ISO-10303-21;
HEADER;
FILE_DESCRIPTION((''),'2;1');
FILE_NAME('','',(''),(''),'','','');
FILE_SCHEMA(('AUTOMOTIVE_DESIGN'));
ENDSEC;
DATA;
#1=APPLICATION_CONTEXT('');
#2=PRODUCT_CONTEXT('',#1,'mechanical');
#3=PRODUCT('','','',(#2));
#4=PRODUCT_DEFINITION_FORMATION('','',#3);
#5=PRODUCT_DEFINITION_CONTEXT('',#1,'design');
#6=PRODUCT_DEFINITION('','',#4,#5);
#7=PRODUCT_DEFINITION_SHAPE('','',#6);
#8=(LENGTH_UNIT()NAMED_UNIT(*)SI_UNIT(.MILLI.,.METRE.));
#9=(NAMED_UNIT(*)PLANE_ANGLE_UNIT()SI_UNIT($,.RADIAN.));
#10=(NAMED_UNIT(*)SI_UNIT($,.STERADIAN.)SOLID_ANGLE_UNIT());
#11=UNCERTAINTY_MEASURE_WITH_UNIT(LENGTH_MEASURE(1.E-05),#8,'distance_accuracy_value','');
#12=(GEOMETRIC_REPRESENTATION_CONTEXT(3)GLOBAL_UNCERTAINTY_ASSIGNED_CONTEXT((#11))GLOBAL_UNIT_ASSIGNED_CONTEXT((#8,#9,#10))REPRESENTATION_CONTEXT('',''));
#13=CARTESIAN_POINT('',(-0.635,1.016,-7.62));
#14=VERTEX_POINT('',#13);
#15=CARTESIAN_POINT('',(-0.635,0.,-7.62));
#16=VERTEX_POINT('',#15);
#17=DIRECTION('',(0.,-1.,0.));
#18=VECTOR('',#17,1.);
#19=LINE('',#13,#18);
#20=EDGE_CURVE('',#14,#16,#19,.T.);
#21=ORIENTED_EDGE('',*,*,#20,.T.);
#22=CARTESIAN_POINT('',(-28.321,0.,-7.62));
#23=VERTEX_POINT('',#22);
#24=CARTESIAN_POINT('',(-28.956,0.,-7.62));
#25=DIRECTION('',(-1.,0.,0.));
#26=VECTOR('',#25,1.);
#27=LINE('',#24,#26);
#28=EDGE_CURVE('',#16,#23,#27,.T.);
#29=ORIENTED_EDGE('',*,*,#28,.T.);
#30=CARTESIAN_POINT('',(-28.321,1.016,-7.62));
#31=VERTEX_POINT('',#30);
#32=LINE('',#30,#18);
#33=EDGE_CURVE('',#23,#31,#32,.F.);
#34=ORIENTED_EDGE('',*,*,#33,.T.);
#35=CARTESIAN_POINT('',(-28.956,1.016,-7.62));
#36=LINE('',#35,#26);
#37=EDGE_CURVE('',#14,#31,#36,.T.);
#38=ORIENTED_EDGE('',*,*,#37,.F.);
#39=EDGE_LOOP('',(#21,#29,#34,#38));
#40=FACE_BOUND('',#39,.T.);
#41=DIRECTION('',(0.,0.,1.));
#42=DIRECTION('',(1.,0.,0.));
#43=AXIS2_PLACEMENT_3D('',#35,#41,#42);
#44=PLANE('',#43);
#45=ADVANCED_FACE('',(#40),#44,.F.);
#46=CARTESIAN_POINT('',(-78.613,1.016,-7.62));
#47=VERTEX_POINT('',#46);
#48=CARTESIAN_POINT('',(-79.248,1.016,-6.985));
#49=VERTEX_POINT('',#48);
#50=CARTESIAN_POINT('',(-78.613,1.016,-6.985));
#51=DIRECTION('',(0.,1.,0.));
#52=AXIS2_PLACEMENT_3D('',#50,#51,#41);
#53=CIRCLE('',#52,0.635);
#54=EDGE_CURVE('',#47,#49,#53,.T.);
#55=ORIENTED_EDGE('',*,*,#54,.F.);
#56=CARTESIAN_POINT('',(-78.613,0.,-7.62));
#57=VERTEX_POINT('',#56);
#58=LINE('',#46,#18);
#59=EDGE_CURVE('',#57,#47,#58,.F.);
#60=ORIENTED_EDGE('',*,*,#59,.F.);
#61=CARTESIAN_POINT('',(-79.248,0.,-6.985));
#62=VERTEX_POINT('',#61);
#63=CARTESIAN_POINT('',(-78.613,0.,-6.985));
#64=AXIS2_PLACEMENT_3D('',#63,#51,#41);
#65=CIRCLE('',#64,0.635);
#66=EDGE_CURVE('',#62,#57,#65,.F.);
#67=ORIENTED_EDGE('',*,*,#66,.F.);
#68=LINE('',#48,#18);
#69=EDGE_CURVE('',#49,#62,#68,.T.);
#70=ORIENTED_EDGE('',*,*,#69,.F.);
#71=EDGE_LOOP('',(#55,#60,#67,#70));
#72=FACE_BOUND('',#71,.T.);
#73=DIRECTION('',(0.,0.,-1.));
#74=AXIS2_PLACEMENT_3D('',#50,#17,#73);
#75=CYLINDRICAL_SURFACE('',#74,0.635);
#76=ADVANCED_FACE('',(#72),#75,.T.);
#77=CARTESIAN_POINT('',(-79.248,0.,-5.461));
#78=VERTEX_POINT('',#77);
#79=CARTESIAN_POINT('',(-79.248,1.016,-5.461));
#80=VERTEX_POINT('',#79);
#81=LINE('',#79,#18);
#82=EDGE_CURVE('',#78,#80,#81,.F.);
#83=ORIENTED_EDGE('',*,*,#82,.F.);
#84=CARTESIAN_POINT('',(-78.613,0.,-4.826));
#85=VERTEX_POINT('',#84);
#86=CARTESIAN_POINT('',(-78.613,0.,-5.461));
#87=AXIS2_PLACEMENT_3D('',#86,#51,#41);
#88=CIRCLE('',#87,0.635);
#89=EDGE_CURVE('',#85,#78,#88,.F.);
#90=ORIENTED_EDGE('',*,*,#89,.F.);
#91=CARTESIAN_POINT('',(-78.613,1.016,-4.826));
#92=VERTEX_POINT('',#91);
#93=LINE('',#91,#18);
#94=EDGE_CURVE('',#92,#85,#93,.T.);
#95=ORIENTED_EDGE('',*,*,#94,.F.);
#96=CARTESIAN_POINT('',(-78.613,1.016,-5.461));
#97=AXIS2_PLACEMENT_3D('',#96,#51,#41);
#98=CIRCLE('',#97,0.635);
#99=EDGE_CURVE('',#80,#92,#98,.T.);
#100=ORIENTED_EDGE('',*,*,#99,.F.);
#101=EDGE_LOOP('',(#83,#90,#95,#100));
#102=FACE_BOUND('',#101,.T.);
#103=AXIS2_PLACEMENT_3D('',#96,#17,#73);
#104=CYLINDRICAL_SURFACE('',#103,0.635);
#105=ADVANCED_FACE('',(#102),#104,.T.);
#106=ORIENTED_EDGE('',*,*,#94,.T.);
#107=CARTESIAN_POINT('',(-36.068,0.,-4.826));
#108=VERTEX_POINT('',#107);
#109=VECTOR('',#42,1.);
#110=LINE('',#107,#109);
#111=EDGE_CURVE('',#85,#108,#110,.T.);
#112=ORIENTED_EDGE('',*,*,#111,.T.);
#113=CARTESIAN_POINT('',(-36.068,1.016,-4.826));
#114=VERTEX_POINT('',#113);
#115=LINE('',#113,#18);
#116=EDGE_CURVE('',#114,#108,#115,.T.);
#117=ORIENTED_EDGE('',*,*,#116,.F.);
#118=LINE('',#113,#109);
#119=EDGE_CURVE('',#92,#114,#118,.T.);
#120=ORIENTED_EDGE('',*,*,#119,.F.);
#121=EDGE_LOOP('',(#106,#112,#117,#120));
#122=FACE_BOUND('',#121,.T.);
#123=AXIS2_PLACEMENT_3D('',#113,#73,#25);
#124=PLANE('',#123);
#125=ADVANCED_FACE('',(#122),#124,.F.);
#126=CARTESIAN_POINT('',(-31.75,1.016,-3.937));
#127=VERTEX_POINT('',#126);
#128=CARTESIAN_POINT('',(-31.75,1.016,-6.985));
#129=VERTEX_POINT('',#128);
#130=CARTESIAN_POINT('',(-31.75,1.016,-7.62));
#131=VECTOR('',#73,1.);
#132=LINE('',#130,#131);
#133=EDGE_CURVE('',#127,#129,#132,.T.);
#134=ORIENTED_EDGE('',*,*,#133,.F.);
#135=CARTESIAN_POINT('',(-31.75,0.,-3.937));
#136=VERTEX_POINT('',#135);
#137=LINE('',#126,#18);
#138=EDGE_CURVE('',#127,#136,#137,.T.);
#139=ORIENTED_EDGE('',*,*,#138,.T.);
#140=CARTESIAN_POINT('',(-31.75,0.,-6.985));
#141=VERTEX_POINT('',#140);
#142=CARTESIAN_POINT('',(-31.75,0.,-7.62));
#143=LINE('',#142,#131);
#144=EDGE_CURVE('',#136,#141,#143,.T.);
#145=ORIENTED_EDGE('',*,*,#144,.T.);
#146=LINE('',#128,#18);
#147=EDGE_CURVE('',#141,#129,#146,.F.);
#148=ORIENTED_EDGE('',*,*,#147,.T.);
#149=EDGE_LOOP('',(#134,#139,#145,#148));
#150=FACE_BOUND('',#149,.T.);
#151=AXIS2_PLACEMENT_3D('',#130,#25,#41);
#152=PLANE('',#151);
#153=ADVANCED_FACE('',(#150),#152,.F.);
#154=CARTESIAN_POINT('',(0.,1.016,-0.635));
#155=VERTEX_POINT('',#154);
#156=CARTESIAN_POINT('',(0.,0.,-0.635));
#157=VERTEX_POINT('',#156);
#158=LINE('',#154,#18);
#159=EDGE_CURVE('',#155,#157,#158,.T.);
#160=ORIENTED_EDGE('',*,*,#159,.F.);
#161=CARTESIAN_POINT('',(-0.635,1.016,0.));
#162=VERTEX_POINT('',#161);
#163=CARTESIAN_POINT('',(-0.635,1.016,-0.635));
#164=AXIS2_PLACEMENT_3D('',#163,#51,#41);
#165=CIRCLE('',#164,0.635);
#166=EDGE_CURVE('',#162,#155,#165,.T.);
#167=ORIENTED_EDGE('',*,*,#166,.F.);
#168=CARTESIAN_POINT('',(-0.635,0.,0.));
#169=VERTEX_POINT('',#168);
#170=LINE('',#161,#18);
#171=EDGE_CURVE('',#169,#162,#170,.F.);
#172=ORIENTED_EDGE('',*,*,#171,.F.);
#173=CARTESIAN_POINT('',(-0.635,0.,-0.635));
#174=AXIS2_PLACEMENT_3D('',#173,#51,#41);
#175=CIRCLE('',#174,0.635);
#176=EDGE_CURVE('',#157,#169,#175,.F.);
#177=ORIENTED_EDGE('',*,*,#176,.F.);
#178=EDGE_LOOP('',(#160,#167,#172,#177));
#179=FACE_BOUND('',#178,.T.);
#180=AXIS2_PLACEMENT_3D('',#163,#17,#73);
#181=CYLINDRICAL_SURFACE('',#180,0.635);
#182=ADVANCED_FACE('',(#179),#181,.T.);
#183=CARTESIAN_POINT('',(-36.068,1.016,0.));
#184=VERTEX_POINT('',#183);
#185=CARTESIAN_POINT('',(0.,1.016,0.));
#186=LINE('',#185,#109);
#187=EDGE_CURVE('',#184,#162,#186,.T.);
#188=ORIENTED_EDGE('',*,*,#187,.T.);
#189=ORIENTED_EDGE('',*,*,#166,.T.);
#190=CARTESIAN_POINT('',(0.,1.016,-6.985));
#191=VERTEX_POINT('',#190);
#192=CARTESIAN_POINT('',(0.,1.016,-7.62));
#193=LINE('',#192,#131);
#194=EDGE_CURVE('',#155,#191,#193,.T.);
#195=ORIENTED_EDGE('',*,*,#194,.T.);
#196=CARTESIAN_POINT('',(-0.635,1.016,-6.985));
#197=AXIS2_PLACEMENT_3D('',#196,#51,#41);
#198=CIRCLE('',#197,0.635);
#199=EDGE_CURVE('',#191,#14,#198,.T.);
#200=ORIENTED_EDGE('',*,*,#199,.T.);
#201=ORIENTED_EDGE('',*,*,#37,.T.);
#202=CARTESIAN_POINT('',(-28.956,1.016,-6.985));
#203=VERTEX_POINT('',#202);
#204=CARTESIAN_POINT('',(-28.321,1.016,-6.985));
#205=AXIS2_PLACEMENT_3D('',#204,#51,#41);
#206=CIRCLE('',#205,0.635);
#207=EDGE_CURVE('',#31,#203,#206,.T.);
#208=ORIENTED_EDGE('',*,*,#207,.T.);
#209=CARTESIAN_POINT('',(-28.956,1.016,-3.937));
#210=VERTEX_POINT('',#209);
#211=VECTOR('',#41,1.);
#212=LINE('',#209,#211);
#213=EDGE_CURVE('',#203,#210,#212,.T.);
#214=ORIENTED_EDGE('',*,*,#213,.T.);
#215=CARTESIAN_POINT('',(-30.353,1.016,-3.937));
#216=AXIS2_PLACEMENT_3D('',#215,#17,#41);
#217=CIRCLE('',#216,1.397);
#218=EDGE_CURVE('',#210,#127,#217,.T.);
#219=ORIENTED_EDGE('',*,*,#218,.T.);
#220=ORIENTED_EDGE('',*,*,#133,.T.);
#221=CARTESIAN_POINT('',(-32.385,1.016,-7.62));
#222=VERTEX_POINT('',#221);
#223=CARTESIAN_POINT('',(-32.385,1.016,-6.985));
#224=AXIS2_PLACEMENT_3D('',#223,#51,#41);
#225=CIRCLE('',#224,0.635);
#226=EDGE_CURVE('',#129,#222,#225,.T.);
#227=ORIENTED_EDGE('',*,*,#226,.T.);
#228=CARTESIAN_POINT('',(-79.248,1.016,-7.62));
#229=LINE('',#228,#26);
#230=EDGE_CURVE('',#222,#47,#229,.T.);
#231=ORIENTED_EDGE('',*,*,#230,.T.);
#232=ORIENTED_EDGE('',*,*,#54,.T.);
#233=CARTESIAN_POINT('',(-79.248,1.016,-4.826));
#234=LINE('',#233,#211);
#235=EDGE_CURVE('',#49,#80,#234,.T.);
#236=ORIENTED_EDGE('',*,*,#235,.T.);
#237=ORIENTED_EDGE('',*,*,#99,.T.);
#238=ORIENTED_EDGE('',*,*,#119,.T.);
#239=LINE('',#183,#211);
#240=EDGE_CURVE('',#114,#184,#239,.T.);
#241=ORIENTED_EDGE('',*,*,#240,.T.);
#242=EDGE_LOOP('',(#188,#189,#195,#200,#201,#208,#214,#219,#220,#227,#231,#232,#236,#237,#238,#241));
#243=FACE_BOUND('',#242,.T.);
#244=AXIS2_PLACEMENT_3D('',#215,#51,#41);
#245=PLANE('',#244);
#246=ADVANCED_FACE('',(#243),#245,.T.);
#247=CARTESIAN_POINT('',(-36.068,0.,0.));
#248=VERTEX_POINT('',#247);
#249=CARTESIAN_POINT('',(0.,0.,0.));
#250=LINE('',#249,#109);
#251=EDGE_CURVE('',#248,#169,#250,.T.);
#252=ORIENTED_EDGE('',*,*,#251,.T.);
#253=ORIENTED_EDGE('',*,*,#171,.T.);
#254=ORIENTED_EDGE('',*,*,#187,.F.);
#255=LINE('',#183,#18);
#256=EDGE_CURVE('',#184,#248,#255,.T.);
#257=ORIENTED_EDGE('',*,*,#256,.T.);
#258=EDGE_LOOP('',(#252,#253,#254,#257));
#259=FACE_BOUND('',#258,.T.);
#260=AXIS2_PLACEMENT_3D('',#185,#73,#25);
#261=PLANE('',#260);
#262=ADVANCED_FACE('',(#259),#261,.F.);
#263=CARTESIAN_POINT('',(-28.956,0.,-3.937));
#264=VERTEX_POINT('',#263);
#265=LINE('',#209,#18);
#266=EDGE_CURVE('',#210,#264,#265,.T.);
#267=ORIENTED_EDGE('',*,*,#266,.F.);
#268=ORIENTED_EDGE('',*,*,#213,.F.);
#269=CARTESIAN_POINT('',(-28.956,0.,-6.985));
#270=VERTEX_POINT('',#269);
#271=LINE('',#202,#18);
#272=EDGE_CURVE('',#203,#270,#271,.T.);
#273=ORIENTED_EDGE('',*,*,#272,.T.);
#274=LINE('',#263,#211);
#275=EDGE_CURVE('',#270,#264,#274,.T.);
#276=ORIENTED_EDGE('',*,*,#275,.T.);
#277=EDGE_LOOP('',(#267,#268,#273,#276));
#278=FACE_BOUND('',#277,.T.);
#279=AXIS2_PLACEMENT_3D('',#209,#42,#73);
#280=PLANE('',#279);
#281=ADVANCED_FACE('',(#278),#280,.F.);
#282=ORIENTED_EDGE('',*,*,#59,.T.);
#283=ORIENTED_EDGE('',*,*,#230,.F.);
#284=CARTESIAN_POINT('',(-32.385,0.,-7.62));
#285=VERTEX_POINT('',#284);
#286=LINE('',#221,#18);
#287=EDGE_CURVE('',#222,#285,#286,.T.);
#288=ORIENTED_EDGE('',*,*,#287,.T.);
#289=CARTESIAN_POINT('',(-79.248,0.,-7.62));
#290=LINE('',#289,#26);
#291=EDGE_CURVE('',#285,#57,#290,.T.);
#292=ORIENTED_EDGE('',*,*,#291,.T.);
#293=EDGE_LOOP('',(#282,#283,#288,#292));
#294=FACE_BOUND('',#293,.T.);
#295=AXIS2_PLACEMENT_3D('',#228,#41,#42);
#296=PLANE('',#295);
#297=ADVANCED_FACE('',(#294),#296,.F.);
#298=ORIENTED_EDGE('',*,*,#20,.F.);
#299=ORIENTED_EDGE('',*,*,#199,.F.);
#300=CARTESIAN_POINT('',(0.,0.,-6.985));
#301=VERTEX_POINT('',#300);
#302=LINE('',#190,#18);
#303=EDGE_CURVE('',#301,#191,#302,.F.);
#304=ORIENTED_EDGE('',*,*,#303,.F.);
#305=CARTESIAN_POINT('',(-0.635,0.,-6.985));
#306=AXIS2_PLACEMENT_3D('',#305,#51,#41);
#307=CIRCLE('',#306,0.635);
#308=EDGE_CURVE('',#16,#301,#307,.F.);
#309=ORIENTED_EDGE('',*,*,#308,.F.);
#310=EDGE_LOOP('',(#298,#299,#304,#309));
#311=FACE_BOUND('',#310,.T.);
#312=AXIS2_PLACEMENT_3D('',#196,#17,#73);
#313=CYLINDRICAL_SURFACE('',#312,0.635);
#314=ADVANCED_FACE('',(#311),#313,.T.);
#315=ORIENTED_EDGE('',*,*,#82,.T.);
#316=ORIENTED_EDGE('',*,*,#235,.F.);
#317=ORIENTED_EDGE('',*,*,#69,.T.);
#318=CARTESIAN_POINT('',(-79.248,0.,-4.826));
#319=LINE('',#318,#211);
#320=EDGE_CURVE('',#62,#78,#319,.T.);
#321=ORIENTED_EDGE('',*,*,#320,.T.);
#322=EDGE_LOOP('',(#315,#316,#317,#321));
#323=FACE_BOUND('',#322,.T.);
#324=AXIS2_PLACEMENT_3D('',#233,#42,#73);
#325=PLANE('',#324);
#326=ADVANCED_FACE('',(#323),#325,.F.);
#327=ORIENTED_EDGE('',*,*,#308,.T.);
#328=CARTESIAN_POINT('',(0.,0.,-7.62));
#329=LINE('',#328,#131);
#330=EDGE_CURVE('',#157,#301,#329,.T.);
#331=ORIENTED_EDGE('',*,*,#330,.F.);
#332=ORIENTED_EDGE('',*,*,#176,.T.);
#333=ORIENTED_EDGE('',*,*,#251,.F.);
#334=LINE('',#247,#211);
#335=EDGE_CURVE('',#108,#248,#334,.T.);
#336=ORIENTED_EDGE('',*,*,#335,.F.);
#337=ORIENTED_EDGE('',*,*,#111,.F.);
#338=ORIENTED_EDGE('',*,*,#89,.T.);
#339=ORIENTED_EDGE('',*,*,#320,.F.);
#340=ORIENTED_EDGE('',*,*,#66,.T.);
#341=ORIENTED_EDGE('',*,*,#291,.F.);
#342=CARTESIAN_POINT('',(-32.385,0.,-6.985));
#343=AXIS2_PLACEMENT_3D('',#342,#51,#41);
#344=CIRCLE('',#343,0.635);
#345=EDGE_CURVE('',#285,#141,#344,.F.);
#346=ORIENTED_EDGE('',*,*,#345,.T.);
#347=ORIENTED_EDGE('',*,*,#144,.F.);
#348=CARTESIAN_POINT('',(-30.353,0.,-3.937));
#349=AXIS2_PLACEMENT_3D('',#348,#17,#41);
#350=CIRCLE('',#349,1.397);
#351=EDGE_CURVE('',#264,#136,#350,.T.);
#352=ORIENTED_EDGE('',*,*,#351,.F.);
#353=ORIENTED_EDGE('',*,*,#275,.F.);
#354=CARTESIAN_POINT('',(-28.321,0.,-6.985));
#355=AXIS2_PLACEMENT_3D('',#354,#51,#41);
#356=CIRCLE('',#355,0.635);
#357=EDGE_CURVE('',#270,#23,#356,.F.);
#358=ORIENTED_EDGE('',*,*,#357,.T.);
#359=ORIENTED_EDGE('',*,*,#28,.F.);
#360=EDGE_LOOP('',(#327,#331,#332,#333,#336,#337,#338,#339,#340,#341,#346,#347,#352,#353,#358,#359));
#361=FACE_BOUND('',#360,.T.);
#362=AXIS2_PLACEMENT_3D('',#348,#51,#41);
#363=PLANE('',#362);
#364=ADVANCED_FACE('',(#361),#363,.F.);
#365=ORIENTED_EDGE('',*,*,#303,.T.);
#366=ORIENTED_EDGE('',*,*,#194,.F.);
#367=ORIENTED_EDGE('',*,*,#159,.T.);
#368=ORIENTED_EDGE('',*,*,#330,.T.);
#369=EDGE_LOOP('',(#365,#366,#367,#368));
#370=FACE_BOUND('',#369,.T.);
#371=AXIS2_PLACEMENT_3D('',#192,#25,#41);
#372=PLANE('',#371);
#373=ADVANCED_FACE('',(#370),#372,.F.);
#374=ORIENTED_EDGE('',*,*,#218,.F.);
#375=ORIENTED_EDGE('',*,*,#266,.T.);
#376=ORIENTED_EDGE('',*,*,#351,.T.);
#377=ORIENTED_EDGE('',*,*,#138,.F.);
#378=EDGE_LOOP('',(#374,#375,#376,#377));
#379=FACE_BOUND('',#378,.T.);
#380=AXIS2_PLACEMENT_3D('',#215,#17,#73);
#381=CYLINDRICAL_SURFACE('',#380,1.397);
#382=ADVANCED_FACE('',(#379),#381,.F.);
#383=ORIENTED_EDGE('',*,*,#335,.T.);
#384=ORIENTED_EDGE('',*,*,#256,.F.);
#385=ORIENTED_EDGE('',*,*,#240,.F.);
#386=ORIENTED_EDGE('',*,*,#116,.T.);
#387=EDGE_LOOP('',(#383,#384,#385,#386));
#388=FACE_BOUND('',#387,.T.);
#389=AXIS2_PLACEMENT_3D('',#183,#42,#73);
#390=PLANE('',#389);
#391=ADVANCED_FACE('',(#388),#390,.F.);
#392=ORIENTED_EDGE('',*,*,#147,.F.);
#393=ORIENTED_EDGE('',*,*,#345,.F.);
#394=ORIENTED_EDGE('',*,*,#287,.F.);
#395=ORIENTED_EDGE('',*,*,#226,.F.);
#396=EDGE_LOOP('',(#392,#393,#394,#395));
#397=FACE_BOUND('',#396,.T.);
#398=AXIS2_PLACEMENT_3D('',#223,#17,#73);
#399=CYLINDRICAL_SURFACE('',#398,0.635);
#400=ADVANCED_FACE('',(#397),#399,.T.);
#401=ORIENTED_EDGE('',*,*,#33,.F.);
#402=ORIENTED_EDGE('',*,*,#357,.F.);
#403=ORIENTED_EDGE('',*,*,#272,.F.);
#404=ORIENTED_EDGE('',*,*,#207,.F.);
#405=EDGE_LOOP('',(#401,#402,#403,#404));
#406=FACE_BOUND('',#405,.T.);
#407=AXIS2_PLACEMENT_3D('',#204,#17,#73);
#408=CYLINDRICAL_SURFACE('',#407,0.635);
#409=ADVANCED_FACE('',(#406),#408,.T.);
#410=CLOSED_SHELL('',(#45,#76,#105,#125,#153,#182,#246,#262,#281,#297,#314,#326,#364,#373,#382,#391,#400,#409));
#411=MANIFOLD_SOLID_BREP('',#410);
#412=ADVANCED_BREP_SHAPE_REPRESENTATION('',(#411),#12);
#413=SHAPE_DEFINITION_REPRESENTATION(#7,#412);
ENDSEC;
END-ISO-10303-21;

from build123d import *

# Parameters (mm, degrees)
BOSS_EXTRUDE1_DEPTH = 1.016
FILLET1_R           = 0.635


with BuildPart() as part:
    # Sketch1 → Boss-Extrude1 (new body)
    with BuildSketch(Plane(origin=(0, 0, 0), x_dir=(1, 0, 0), z_dir=(0, 1, 0))):
        with BuildLine():
            Line((0, 0), (-36.068, 0))
            Line((-36.068, 0), (-36.068, 4.826))
            Line((-36.068, 4.826), (-79.248, 4.826))
            Line((-79.248, 4.826), (-79.248, 7.62))
            Line((-79.248, 7.62), (-31.75, 7.62))
            Line((-31.75, 7.62), (-31.75, 3.937))
            ThreePointArc((-31.75, 3.937), (-30.353, 2.54), (-28.956, 3.937))
            Line((-28.956, 3.937), (-28.956, 7.62))
            Line((-28.956, 7.62), (0, 7.62))
            Line((0, 7.62), (0, 0))
        make_face()
    extrude(amount=BOSS_EXTRUDE1_DEPTH)

    # Fillet1
    fillet1_edges = [part.edges().sort_by_distance(p)[0] for p in [
        (0, 0.508, 0),
        (-79.248, 0.508, -4.826),
        (-79.248, 0.508, -7.62),
        (-31.75, 0.508, -7.62),
        (-28.956, 0.508, -7.62),
        (0, 0.508, -7.62),
    ]]
    fillet(fillet1_edges, radius=FILLET1_R)


solid = part.part
